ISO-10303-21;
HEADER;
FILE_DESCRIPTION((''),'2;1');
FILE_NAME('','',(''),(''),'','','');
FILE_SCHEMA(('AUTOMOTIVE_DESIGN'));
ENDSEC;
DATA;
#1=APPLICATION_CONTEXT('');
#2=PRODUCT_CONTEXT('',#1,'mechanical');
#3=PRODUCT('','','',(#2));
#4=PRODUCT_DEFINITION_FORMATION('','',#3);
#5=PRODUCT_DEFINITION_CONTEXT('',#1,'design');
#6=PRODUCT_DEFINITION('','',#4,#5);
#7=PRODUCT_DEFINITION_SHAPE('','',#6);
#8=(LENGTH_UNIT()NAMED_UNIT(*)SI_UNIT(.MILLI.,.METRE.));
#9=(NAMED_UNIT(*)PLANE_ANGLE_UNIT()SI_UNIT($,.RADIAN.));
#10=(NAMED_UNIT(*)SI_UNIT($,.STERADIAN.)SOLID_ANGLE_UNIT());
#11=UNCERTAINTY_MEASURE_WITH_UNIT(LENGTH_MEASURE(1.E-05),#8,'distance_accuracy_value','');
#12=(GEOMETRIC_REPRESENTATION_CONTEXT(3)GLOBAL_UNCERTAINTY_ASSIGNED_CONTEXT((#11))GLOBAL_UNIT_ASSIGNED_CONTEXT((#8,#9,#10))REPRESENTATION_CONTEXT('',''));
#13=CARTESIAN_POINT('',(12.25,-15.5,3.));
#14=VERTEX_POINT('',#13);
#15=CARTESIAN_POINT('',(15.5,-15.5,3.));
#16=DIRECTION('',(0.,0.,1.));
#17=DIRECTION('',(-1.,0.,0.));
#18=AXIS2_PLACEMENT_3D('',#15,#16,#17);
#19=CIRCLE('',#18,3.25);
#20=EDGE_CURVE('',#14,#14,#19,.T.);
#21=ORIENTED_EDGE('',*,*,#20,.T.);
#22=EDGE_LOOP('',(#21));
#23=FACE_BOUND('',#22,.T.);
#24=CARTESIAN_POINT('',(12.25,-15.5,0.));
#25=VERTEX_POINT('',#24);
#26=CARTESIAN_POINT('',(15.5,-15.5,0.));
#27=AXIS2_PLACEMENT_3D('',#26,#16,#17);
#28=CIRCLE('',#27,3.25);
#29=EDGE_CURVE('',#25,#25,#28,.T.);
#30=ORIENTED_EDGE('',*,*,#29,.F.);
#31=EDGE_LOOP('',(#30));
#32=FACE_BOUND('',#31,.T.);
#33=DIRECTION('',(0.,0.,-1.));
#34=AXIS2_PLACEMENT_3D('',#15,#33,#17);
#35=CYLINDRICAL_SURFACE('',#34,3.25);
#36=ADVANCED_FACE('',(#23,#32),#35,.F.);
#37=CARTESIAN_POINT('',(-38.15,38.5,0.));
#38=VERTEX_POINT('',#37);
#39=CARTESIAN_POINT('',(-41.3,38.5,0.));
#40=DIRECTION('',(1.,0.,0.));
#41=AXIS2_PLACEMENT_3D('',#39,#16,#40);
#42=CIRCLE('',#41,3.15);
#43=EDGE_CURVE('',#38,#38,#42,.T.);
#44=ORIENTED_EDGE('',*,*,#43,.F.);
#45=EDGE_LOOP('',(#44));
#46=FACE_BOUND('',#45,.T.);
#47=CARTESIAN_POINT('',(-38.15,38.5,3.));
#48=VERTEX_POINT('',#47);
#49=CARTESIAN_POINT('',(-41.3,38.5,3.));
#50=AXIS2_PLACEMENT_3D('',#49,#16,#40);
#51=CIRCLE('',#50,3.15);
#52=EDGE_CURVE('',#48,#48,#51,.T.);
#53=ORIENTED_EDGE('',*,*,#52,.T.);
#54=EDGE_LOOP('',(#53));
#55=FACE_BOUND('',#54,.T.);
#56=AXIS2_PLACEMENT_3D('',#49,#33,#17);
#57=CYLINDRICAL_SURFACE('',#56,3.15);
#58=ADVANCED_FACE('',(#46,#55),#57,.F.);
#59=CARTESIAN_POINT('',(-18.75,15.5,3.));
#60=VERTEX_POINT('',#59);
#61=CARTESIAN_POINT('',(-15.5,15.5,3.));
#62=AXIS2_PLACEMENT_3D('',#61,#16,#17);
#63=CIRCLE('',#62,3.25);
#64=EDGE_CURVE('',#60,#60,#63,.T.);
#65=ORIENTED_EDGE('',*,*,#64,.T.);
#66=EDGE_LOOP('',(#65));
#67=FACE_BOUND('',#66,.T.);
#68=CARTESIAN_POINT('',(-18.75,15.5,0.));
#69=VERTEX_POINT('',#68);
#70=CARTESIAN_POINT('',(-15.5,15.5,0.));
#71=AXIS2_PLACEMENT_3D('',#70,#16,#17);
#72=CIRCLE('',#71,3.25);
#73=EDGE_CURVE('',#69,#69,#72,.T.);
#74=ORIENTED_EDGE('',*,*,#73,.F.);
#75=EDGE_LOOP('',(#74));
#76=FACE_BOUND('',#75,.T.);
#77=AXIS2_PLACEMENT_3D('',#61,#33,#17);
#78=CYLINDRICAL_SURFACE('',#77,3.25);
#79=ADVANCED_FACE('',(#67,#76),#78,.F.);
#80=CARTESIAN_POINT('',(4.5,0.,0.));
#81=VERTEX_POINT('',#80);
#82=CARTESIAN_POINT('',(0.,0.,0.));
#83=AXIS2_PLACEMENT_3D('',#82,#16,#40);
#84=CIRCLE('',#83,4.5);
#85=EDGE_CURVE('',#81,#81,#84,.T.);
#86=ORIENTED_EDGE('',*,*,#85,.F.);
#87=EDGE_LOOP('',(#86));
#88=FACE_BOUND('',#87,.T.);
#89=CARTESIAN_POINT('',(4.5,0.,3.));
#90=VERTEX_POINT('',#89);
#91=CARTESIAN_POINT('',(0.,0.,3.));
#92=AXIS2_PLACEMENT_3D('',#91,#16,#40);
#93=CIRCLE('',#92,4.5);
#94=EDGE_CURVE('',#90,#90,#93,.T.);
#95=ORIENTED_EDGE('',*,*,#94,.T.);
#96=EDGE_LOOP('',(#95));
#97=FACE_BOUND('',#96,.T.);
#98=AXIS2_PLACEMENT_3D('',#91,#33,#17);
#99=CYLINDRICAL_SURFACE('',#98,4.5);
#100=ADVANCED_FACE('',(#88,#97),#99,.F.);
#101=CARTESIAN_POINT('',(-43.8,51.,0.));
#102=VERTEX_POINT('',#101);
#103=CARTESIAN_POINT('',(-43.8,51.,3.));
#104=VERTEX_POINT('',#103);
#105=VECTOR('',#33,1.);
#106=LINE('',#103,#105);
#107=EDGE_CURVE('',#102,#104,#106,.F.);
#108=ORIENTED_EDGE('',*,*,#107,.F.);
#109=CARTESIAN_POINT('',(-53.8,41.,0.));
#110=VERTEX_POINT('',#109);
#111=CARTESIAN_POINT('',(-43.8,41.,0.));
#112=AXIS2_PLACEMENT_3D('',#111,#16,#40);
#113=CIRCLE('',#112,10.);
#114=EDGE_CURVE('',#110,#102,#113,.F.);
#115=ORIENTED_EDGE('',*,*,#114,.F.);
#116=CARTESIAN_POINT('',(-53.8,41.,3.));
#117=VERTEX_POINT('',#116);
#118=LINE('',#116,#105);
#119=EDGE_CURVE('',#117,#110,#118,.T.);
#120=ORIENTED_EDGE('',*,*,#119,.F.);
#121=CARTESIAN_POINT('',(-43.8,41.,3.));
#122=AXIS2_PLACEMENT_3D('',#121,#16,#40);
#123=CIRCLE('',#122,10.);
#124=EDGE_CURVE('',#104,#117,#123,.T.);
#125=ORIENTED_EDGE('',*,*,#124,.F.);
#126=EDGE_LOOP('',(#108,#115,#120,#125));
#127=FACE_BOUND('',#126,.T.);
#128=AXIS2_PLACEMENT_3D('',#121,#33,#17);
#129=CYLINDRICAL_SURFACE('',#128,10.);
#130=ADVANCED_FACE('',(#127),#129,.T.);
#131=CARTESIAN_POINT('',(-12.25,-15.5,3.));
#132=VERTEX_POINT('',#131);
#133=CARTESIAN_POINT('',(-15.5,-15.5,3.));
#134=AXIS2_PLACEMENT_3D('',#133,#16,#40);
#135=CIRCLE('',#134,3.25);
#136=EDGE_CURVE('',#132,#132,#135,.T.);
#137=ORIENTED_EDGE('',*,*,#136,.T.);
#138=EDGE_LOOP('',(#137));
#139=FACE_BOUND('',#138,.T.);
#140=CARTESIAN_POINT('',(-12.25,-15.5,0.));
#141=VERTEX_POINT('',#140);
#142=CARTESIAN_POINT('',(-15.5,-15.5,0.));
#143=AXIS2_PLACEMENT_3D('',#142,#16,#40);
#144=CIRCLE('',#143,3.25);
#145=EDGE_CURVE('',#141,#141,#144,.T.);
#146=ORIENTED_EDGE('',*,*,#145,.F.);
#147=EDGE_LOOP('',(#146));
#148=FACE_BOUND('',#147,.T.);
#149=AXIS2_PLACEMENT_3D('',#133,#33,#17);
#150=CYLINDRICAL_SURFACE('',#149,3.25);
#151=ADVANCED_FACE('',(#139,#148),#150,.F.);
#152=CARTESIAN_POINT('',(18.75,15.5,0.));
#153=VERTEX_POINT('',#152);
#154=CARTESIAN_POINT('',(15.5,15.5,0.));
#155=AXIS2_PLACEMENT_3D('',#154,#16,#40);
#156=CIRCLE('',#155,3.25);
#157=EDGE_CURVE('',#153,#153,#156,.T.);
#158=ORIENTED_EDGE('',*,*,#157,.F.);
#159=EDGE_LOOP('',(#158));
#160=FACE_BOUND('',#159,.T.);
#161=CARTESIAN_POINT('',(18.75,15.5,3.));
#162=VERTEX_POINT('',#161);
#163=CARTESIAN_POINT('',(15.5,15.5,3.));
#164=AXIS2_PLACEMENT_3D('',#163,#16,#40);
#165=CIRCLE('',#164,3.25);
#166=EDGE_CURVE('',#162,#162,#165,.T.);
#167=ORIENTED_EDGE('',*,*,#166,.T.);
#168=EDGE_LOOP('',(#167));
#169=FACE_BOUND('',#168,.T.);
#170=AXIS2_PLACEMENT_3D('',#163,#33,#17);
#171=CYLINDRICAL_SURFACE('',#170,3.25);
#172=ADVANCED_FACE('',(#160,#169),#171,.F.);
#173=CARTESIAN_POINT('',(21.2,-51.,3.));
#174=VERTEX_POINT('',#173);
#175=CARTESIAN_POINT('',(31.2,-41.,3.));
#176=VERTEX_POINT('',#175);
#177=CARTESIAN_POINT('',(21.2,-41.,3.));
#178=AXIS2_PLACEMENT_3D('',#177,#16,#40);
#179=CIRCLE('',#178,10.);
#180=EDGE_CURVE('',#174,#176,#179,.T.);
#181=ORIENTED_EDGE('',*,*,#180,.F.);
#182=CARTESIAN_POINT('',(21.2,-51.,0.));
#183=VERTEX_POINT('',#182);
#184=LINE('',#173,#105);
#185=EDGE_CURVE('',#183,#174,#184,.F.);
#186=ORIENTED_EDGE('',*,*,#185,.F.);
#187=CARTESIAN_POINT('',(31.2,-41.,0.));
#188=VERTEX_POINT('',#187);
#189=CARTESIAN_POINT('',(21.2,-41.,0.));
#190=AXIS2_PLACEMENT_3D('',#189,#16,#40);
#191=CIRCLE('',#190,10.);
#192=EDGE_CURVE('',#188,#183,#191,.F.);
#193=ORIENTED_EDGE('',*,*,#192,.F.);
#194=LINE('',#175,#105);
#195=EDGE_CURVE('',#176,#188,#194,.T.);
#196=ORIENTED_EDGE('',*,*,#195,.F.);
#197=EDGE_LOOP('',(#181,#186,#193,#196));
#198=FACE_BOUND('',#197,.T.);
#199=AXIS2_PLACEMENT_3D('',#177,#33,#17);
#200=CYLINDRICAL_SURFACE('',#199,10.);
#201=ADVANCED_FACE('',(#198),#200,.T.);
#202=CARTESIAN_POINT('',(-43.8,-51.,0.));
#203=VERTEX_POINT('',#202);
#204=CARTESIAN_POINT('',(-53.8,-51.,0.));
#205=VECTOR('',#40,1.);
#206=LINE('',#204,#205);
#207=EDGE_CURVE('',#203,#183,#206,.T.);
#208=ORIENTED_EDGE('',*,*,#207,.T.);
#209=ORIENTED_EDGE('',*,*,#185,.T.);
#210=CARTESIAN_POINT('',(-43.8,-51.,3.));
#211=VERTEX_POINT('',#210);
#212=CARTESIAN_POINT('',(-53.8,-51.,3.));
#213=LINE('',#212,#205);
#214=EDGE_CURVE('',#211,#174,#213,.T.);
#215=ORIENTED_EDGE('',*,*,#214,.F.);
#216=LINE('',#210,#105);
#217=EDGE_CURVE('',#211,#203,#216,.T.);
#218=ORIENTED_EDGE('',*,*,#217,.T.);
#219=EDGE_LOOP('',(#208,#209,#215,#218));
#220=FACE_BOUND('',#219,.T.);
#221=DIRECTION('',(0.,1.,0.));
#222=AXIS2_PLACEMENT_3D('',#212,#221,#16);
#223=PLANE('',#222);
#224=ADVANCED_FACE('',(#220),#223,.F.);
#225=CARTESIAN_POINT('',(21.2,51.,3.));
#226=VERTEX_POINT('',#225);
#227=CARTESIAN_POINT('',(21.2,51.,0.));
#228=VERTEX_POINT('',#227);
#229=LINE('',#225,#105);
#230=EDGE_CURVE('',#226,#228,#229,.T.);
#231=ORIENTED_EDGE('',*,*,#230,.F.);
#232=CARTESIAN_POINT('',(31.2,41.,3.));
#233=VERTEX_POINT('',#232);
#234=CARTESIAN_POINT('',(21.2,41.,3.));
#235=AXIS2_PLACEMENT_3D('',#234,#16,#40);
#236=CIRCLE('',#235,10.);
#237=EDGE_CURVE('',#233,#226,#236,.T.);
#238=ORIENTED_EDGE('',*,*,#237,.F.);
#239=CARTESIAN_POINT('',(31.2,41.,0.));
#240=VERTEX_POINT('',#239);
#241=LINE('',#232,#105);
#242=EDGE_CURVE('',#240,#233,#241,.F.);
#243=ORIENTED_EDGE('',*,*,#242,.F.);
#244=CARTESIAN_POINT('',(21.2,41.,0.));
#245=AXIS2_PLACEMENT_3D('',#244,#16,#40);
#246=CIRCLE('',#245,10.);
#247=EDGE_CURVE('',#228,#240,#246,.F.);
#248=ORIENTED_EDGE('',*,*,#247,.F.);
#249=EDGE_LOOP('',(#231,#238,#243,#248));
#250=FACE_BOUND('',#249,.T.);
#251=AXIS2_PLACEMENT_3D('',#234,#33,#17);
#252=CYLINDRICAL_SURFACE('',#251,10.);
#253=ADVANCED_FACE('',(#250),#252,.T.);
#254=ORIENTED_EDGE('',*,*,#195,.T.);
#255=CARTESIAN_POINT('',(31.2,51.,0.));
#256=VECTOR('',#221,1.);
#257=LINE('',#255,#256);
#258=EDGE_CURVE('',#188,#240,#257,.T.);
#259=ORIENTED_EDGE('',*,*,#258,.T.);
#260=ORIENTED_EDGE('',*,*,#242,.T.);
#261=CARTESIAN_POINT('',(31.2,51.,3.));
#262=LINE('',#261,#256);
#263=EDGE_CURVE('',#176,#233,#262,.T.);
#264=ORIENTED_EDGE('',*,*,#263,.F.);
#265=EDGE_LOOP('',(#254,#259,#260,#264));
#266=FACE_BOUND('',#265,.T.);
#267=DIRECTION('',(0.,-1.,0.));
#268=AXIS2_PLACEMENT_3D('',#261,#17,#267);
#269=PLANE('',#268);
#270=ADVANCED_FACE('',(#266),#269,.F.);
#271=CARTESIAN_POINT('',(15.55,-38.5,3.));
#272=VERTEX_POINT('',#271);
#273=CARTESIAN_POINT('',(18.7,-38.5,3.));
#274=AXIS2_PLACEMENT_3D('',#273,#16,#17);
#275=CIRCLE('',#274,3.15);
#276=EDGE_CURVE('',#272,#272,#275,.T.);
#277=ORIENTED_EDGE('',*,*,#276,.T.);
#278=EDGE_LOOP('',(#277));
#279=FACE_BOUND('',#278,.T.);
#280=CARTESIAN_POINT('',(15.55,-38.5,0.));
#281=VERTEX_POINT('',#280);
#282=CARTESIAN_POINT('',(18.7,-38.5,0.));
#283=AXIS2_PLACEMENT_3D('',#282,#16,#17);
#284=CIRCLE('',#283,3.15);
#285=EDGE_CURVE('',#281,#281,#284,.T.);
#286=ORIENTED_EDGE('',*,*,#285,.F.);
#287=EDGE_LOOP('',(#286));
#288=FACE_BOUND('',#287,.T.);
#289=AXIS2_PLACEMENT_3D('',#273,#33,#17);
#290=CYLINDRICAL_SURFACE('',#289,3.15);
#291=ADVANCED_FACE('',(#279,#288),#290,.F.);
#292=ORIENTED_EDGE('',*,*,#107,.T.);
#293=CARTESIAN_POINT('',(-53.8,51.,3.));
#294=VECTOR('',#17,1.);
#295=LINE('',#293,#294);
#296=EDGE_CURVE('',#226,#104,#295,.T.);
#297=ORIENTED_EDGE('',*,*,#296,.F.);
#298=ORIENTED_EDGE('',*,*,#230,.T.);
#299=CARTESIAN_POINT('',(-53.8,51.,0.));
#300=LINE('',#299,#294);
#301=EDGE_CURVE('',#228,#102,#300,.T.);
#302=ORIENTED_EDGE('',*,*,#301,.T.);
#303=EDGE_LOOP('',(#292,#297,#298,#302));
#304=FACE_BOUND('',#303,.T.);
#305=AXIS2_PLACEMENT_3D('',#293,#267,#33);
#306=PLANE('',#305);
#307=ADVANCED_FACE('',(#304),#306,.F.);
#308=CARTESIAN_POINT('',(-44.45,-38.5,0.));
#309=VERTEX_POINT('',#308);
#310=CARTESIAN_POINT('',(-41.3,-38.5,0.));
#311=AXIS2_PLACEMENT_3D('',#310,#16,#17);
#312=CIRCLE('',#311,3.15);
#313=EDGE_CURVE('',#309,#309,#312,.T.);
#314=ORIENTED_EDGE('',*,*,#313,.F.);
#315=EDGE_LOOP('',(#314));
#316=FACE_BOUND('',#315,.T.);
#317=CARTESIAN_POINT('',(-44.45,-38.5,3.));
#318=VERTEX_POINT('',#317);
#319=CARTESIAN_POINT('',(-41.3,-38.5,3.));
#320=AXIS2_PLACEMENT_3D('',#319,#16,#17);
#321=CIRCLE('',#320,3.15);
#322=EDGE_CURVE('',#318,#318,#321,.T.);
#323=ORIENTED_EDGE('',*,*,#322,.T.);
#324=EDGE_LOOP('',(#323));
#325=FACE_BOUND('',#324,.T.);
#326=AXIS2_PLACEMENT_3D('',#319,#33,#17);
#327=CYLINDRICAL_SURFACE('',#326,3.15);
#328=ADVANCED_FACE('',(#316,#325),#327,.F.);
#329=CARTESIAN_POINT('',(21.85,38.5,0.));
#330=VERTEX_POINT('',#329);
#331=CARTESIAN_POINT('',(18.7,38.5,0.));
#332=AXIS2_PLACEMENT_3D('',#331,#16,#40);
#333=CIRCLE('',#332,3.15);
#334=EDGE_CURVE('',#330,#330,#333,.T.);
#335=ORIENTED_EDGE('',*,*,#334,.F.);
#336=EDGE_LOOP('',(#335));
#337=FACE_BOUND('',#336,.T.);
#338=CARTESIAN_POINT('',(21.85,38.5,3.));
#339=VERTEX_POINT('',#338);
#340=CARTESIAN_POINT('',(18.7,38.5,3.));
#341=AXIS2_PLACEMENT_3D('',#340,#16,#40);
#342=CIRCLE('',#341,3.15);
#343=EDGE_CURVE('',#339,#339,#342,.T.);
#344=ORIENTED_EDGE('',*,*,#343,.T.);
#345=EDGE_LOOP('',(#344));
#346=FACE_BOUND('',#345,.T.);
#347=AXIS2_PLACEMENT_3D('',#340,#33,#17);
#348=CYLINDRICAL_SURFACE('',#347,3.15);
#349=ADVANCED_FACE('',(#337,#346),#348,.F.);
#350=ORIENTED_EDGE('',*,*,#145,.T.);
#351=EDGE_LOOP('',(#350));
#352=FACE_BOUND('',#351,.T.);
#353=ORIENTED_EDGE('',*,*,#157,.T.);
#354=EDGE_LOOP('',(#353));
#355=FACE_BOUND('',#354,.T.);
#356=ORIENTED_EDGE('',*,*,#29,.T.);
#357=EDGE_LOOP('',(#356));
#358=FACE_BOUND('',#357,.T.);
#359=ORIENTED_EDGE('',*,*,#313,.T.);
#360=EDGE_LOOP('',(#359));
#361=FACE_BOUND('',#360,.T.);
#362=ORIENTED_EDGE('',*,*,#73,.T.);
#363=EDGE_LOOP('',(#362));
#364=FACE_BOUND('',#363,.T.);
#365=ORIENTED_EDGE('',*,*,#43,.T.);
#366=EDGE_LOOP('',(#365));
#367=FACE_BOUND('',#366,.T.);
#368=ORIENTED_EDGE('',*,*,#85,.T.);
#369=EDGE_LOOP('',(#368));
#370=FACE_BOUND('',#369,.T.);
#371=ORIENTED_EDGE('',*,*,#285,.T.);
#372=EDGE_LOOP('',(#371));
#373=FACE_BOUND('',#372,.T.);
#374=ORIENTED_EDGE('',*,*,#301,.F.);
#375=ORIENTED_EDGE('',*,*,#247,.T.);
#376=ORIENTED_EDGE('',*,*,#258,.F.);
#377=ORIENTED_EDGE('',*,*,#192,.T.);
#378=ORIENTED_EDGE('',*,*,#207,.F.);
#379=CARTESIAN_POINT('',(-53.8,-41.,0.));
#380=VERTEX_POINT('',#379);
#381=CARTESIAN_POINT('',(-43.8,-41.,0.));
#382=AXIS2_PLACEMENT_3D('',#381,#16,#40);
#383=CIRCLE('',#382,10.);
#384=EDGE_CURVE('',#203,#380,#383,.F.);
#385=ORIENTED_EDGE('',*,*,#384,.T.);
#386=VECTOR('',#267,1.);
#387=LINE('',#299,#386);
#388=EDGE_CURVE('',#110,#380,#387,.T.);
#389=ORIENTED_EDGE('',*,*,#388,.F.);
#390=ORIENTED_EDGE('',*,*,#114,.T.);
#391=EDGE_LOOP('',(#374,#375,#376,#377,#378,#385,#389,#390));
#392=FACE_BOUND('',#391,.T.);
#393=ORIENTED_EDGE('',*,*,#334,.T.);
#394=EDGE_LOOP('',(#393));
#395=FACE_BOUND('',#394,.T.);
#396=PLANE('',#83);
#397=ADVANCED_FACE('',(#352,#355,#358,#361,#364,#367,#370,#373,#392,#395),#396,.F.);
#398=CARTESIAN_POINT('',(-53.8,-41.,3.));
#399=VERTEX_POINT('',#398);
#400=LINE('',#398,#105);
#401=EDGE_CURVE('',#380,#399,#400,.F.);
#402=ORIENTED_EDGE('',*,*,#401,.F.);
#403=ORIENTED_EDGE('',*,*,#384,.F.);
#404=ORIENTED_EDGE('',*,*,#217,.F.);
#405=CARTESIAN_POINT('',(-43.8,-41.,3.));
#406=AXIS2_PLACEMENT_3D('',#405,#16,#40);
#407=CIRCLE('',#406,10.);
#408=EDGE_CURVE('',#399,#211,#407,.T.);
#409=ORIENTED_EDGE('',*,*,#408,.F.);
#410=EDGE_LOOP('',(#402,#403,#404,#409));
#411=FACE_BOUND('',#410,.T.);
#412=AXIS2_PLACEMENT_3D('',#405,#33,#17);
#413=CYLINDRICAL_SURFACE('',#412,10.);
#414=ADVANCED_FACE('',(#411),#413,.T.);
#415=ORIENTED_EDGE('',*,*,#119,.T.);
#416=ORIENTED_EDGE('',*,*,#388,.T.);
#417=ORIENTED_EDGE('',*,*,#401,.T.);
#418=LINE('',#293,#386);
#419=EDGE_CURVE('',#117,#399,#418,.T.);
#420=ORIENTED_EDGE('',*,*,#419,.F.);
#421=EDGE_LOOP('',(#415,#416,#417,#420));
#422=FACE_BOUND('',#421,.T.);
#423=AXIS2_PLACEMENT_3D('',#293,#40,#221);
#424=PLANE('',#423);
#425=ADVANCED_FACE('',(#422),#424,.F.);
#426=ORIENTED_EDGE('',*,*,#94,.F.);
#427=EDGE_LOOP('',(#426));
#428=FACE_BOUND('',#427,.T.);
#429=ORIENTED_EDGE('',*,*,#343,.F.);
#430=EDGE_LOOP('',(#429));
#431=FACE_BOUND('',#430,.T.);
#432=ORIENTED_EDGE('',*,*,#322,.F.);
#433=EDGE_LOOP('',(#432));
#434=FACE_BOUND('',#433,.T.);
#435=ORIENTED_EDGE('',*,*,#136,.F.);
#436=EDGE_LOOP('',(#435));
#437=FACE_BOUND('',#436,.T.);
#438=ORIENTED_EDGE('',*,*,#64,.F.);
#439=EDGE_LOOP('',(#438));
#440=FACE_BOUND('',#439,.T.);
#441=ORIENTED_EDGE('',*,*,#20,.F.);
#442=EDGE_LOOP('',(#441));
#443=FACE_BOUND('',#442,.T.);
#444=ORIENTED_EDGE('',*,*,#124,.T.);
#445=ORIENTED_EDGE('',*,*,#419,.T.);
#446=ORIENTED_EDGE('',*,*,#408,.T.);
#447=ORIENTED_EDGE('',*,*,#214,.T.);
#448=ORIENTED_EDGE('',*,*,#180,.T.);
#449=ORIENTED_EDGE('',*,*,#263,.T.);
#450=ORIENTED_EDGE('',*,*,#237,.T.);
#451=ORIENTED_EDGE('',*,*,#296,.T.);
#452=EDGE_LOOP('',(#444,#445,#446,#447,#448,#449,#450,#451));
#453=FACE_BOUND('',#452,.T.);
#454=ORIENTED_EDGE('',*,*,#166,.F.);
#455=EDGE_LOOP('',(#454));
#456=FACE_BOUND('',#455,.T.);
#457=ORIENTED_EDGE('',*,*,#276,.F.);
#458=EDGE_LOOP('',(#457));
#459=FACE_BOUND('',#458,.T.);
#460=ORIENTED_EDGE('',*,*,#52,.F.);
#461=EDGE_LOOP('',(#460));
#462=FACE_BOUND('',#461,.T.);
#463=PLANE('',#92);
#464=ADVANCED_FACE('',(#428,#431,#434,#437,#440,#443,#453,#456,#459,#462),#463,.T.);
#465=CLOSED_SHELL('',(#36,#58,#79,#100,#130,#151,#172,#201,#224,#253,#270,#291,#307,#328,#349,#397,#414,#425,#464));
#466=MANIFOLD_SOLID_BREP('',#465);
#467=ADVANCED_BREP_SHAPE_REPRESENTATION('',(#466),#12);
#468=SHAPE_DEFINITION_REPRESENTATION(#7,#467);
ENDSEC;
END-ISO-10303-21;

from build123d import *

# Parameters (mm, degrees)
CROQUIS1_W              = 85
CROQUIS1_H              = 102
CROQUIS1_R              = 4.5
CROQUIS1_R_2            = 3.25
CROQUIS1_R_3            = 3.15
SALIENTE_EXTRUIR1_DEPTH = 3
REDONDEO1_R             = 10


with BuildPart() as part:
    # Croquis1 → Saliente-Extruir1 (new body)
    with BuildSketch(Plane.XY):
        with Locations((-11.3, 0)):
            Rectangle(CROQUIS1_W, CROQUIS1_H)
        Circle(CROQUIS1_R, mode=Mode.SUBTRACT)
        with Locations((15.5, 15.5)):
            Circle(CROQUIS1_R_2, mode=Mode.SUBTRACT)
        with Locations(Location((-15.5, 15.5, 0), (0, 0, 180))):
            Circle(CROQUIS1_R_2, mode=Mode.SUBTRACT)
        with Locations(Location((15.5, -15.5, 0), (0, 0, 180))):
            Circle(CROQUIS1_R_2, mode=Mode.SUBTRACT)
        with Locations((-15.5, -15.5)):
            Circle(CROQUIS1_R_2, mode=Mode.SUBTRACT)
        with Locations((-41.3, 38.5)):
            Circle(CROQUIS1_R_3, mode=Mode.SUBTRACT)
        with Locations((18.7, 38.5)):
            Circle(CROQUIS1_R_3, mode=Mode.SUBTRACT)
        with Locations(Location((18.7, -38.5, 0), (0, 0, 180))):
            Circle(CROQUIS1_R_3, mode=Mode.SUBTRACT)
        with Locations(Location((-41.3, -38.5, 0), (0, 0, 180))):
            Circle(CROQUIS1_R_3, mode=Mode.SUBTRACT)
    extrude(amount=SALIENTE_EXTRUIR1_DEPTH)

    # Redondeo1
    redondeo1_edges = [part.edges().sort_by_distance(p)[0] for p in [
        (-53.8, 51, 1.5),
        (31.2, 51, 1.5),
        (31.2, -51, 1.5),
        (-53.8, -51, 1.5),
    ]]
    fillet(redondeo1_edges, radius=REDONDEO1_R)


solid = part.part
